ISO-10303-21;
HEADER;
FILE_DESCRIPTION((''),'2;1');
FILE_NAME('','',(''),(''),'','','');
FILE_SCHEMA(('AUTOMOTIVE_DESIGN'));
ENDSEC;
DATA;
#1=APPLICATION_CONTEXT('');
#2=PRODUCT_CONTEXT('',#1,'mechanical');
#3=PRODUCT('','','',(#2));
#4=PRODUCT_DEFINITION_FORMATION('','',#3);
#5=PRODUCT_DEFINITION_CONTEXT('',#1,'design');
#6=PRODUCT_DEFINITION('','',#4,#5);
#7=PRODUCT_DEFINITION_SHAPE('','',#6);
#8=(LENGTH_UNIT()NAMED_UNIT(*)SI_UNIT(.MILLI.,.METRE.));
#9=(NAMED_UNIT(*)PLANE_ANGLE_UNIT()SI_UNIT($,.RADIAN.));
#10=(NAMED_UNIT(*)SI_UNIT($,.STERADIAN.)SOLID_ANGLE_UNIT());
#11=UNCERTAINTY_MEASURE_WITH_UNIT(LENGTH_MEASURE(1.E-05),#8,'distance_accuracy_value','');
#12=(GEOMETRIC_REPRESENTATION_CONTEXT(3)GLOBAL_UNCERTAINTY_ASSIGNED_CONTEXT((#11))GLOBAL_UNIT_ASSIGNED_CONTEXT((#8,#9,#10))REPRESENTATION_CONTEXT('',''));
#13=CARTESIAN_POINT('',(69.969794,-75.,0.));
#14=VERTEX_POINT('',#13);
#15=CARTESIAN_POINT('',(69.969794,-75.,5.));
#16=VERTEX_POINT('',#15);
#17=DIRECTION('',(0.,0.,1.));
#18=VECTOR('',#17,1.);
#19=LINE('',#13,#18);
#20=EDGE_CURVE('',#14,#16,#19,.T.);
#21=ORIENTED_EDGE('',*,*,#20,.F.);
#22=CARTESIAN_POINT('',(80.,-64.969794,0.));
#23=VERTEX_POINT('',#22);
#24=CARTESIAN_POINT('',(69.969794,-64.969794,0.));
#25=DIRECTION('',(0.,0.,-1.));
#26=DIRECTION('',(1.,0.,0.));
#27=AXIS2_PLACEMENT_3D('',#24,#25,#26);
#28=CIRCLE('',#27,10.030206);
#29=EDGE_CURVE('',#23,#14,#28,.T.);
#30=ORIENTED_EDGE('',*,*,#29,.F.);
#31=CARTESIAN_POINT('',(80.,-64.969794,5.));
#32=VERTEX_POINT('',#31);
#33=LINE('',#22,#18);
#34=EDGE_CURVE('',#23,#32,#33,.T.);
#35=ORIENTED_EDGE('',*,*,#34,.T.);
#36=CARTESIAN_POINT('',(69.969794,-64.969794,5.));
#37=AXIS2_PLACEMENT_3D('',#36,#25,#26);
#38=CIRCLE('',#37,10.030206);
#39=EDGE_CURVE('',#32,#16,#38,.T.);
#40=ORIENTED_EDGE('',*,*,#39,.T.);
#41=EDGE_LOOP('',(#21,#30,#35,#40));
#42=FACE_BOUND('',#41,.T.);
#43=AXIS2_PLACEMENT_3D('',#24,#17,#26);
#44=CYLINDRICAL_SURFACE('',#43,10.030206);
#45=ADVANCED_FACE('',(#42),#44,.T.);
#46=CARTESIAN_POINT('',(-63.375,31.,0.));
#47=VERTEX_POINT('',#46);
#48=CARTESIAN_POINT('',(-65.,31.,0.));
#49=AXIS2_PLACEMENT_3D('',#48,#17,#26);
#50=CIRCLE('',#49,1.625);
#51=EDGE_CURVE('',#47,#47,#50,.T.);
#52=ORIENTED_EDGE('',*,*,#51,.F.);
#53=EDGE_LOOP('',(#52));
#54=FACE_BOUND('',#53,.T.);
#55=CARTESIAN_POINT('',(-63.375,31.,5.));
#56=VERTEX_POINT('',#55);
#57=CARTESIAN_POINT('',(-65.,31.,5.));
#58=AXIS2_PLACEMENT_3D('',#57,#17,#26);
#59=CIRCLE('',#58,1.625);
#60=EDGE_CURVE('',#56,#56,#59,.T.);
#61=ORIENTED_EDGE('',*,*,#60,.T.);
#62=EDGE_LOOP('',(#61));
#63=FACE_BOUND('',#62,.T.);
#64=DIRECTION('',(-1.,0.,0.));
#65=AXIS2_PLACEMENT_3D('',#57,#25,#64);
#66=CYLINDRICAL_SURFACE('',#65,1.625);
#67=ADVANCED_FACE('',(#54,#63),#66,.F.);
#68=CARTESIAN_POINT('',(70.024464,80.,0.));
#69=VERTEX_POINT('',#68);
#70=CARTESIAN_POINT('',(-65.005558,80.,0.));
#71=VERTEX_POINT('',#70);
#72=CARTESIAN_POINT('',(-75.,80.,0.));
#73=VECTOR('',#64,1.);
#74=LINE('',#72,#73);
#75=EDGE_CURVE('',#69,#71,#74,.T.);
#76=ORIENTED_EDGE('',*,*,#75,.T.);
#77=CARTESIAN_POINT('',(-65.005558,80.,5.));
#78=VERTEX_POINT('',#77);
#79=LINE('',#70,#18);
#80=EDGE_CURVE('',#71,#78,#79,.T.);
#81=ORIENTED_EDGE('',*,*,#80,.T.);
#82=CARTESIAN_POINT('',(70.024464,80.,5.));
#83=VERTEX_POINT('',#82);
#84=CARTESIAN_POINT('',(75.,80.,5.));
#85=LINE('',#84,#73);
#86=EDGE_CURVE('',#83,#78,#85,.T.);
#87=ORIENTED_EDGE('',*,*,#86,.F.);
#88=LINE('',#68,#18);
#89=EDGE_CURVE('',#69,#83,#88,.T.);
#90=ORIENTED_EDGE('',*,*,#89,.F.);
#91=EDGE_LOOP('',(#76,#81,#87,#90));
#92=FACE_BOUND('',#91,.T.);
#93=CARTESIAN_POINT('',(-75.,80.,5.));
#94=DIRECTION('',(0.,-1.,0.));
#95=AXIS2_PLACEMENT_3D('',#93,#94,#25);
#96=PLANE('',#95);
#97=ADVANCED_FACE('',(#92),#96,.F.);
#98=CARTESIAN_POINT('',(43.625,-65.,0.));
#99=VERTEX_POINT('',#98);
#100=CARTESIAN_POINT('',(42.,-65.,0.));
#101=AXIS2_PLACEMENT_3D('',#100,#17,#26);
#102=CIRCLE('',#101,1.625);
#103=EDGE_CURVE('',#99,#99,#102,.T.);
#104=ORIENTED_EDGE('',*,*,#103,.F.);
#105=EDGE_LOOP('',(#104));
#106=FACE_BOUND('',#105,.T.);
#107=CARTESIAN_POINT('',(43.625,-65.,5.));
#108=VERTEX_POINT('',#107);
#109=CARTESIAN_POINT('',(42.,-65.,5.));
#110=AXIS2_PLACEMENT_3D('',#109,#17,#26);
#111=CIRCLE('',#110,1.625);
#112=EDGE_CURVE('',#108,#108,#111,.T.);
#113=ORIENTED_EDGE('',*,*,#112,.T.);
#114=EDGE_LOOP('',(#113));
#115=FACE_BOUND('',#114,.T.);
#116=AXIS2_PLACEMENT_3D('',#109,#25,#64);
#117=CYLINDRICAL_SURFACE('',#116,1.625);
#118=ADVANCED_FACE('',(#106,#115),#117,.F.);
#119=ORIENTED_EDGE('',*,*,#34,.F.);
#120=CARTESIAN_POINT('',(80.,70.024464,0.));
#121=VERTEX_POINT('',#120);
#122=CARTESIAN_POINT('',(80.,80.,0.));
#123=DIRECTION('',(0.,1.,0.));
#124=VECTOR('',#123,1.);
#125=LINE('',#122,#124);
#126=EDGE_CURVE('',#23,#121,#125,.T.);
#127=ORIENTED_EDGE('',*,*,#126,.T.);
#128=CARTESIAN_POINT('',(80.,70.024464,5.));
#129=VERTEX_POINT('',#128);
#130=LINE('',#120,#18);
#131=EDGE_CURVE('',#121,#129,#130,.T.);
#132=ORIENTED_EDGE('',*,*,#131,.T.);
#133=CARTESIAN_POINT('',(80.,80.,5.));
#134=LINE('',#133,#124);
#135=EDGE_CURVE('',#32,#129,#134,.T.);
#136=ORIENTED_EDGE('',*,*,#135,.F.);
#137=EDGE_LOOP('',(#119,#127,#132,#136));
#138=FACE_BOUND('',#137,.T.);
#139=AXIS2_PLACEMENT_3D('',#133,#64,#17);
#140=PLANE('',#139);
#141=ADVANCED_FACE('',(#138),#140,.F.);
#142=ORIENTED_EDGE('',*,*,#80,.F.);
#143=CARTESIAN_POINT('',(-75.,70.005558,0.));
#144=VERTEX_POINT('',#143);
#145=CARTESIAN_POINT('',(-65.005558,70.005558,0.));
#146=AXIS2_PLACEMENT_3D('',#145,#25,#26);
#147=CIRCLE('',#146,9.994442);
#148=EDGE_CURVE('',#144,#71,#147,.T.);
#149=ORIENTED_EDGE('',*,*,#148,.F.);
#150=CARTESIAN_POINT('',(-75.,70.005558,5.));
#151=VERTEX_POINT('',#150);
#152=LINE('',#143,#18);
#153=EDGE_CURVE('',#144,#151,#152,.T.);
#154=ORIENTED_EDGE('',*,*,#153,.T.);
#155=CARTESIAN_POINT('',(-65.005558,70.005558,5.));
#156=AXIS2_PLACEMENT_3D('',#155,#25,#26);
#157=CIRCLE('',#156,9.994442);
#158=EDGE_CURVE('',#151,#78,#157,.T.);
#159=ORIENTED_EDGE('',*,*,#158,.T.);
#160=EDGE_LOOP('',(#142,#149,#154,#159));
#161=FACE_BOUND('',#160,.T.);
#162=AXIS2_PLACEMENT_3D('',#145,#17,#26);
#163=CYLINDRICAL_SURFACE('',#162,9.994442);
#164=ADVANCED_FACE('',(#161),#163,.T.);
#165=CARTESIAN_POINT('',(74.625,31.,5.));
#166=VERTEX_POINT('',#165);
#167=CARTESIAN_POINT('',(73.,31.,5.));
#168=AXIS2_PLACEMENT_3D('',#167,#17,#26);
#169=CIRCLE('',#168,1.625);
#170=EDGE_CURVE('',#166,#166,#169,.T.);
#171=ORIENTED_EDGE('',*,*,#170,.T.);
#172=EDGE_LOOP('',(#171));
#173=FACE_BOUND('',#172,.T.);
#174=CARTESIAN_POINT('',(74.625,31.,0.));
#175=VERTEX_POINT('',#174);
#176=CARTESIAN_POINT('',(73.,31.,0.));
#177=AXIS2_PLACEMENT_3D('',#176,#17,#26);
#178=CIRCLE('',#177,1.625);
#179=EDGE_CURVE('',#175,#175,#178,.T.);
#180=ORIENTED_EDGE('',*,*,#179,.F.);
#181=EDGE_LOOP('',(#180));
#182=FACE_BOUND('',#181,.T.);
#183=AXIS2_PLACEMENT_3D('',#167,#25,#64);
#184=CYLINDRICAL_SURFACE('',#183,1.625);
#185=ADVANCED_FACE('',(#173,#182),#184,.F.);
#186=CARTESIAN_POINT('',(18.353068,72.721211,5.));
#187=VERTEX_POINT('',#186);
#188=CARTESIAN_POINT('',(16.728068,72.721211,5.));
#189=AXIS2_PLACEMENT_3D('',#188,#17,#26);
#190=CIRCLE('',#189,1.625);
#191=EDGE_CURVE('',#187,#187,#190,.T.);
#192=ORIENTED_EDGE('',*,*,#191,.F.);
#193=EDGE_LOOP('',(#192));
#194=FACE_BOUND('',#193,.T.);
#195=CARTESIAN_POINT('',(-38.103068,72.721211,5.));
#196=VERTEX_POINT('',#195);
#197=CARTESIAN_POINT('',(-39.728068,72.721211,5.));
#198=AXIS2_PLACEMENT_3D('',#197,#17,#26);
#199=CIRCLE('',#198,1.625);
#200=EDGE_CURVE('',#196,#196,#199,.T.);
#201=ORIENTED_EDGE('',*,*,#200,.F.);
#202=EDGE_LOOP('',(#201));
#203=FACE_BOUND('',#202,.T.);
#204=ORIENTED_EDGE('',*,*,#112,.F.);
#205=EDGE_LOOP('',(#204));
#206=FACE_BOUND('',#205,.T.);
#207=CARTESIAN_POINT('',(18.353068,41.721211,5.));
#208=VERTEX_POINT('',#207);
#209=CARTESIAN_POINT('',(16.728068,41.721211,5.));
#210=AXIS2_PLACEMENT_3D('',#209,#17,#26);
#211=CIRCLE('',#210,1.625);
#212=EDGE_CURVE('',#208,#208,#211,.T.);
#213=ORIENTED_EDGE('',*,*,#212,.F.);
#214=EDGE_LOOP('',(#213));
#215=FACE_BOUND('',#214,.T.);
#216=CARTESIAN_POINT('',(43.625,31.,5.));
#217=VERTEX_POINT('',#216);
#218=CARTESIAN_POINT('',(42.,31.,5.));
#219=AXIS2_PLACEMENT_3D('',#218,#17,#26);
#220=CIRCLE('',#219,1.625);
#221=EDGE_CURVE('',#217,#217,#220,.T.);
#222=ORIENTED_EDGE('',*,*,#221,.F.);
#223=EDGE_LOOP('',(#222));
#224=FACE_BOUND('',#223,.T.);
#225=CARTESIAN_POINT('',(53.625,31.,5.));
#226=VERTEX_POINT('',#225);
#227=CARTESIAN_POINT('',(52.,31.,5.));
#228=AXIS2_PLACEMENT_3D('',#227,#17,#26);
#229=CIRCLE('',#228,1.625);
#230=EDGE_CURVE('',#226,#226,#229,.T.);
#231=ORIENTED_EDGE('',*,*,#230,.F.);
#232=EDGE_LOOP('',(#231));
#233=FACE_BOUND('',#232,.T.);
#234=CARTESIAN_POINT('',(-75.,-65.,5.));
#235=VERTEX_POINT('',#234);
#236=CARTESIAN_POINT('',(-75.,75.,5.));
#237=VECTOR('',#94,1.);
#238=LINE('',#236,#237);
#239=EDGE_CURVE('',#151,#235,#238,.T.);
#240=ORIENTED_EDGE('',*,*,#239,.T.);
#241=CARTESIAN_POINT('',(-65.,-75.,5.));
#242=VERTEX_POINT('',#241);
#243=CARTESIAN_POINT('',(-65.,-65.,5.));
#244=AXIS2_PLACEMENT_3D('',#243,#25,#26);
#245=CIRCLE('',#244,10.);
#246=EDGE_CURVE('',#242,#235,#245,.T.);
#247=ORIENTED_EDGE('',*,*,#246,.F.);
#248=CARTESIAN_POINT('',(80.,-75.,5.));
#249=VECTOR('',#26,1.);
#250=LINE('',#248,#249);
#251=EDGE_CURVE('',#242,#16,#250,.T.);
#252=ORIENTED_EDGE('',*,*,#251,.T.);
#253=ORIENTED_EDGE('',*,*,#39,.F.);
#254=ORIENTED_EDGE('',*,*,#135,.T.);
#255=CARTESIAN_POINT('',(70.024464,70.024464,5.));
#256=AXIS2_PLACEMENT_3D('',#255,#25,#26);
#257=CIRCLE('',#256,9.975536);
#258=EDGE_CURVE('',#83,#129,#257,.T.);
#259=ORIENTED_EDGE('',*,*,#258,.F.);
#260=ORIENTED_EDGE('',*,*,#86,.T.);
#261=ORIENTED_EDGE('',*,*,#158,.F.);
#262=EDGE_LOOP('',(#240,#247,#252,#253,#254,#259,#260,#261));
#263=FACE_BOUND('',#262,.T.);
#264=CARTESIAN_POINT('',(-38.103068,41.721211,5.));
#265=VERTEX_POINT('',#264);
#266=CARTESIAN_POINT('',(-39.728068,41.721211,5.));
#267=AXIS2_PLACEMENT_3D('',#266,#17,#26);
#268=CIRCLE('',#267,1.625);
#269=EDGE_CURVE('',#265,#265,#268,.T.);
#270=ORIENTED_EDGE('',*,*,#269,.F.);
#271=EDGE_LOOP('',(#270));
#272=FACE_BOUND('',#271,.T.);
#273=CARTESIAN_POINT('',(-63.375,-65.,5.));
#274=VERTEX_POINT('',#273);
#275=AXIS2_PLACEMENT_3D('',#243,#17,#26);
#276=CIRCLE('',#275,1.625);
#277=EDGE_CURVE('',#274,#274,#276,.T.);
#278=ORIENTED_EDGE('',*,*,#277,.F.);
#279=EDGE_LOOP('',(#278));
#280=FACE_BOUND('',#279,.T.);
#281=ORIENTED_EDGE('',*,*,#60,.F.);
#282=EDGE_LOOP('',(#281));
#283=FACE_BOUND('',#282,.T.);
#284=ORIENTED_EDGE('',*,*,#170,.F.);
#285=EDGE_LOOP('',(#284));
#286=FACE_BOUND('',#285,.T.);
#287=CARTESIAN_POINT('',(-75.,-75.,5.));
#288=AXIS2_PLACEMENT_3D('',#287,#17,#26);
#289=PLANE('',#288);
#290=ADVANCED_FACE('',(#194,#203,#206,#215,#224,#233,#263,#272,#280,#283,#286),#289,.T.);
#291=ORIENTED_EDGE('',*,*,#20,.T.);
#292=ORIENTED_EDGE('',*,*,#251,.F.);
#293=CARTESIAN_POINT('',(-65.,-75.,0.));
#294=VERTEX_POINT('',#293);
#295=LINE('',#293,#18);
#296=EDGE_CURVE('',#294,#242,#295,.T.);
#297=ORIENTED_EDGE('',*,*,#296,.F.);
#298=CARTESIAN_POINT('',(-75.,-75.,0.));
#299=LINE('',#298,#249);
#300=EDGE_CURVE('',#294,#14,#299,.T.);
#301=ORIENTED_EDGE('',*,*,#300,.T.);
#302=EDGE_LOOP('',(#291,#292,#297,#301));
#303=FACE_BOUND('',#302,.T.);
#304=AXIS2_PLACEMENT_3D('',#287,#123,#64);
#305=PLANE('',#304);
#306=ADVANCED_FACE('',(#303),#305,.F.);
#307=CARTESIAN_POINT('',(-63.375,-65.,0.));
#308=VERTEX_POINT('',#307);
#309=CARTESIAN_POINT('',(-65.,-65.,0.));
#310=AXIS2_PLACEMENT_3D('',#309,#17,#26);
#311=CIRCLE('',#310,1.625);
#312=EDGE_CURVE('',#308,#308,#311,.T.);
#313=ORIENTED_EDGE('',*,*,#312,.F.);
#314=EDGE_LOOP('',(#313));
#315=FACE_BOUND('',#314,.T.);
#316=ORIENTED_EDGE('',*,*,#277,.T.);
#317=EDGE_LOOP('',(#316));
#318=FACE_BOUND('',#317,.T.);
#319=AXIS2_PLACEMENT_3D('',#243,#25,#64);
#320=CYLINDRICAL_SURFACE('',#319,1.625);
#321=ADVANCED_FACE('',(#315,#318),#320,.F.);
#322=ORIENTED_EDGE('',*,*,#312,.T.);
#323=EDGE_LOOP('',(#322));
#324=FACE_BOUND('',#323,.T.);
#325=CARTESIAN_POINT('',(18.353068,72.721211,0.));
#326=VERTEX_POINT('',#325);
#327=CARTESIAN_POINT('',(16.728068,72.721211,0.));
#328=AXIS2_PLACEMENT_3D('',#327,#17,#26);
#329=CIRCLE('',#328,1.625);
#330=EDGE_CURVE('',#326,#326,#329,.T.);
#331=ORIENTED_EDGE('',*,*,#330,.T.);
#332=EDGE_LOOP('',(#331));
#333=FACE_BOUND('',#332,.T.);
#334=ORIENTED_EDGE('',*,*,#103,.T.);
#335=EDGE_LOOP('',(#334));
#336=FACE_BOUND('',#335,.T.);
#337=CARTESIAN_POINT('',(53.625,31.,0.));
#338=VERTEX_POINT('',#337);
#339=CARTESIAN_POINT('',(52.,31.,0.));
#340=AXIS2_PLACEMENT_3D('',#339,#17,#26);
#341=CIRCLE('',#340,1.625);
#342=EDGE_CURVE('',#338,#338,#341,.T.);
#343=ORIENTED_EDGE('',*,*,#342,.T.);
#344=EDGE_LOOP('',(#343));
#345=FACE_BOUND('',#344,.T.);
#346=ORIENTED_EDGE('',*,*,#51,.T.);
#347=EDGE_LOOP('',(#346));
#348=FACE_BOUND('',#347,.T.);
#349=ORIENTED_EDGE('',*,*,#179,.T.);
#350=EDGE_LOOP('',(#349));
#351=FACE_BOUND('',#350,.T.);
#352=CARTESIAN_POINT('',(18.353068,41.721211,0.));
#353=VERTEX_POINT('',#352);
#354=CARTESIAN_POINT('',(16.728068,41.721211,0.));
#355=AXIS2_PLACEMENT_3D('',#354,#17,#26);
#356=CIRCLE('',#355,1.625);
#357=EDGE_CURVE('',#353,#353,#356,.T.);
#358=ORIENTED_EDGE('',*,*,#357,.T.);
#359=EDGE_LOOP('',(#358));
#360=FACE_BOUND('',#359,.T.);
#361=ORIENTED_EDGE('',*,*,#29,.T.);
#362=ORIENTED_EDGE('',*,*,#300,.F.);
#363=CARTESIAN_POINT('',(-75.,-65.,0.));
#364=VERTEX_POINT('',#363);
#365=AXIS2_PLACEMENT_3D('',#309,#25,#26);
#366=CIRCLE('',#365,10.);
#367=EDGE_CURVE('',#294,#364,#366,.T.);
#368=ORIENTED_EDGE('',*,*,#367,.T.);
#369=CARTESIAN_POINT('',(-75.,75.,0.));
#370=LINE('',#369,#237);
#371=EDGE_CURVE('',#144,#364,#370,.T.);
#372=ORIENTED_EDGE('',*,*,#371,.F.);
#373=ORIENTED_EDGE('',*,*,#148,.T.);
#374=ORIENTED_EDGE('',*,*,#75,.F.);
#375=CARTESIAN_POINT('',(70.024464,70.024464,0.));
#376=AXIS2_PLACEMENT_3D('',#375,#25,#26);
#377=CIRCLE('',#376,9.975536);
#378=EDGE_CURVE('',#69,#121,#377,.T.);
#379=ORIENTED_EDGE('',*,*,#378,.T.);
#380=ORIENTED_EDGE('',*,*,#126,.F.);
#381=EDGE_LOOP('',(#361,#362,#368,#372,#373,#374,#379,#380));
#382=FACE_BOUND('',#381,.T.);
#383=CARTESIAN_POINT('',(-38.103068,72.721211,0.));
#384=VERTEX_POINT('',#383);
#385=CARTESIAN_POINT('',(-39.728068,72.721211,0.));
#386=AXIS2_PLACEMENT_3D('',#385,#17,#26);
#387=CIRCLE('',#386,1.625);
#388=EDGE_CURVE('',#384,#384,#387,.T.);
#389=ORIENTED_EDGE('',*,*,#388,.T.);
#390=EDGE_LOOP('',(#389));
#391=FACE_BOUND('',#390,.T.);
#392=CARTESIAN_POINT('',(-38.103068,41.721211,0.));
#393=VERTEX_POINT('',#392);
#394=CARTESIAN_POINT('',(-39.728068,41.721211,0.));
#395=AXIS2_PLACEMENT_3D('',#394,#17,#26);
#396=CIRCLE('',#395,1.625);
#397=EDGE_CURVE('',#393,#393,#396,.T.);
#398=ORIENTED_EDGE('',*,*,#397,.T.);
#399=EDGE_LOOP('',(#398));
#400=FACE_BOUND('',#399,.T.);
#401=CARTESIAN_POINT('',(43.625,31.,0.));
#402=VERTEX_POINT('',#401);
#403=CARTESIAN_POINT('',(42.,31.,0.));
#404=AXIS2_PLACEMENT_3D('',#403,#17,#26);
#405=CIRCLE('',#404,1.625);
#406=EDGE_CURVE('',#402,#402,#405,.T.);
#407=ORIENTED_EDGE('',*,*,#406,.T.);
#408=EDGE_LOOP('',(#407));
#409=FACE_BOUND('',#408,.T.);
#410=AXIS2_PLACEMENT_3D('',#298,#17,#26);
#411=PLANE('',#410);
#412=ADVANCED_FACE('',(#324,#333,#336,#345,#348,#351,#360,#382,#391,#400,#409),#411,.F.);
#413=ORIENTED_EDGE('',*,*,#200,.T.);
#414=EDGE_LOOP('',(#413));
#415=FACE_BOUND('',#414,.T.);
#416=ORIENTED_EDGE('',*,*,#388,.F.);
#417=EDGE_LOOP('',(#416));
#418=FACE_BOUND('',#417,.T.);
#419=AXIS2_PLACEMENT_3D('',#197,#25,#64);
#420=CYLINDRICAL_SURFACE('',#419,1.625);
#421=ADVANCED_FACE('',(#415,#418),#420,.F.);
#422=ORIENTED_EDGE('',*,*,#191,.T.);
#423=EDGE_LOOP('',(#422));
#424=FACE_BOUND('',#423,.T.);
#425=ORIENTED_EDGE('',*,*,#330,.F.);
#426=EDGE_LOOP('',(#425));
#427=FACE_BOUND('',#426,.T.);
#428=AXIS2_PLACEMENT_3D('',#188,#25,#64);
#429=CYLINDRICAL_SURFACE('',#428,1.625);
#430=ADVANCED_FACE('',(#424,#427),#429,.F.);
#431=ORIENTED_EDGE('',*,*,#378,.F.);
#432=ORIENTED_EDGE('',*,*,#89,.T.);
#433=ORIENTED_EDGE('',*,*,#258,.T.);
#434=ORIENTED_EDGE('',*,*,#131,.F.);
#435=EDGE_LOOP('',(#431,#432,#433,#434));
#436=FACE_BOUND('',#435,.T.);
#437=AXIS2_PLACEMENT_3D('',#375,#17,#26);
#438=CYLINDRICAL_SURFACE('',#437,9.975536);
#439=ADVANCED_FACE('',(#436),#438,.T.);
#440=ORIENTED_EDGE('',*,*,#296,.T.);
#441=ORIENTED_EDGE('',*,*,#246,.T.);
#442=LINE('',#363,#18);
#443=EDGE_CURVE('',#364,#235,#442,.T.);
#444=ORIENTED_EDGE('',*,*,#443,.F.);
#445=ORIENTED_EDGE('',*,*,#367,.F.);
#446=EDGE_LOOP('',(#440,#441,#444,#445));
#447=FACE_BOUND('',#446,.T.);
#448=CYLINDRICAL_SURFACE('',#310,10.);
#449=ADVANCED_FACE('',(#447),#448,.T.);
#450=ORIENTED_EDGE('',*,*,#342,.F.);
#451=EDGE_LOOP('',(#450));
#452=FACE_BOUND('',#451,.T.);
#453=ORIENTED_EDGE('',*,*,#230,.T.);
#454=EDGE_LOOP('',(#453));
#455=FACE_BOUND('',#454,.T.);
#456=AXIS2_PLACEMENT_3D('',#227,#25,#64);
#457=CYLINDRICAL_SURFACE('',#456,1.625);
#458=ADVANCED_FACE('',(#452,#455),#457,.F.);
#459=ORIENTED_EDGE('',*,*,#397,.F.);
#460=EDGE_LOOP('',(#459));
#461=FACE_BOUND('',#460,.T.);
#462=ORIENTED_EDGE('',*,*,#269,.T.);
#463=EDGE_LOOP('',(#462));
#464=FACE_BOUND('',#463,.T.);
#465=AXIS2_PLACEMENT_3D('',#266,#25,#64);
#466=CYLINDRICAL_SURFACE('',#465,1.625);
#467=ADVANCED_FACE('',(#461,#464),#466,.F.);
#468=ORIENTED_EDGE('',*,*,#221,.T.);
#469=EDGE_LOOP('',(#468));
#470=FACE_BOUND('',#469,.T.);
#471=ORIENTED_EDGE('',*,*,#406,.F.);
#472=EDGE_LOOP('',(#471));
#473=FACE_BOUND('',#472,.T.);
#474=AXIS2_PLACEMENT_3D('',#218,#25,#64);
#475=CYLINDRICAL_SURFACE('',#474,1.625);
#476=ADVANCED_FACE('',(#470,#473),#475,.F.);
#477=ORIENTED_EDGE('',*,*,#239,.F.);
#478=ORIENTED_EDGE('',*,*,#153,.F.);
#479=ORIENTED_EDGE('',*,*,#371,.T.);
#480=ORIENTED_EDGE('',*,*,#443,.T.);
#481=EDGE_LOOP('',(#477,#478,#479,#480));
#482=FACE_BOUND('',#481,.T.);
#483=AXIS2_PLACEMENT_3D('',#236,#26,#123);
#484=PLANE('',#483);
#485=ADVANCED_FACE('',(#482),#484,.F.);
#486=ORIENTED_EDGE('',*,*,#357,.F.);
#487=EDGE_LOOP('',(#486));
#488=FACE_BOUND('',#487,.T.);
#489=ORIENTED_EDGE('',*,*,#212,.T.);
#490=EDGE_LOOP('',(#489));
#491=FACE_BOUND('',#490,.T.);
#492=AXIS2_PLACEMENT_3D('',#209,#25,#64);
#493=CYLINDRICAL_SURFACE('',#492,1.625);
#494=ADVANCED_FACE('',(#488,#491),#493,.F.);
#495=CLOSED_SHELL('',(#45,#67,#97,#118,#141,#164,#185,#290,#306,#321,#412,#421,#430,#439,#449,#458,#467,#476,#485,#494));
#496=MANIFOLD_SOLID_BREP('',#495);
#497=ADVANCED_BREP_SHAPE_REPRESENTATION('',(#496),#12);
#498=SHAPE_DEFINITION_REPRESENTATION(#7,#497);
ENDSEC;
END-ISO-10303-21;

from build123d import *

# Parameters (mm, degrees)
SKETCH1_R           = 1.625
BOSS_EXTRUDE1_DEPTH = 5
CUT_EXTRUDE1_DEPTH  = 5


with BuildPart() as part:
    # Sketch1 → Boss-Extrude1 (new body)
    with BuildSketch(Plane.XY):
        Polygon((-75, 75), (-75, -75), (75, -75), (80, -75), (80, 80), (75, 80), (-75, 80), align=None)
        with Locations((-65, -65)):
            Circle(SKETCH1_R, mode=Mode.SUBTRACT)
        with Locations((-65, 31)):
            Circle(SKETCH1_R, mode=Mode.SUBTRACT)
        with Locations((42, 31)):
            Circle(SKETCH1_R, mode=Mode.SUBTRACT)
        with Locations((42, -65)):
            Circle(SKETCH1_R, mode=Mode.SUBTRACT)
        with Locations((52, 31)):
            Circle(SKETCH1_R, mode=Mode.SUBTRACT)
        with Locations((73, 31)):
            Circle(SKETCH1_R, mode=Mode.SUBTRACT)
        with Locations((-39.728067716, 72.721211314)):
            Circle(SKETCH1_R, mode=Mode.SUBTRACT)
        with Locations((-39.728067716, 41.721211314)):
            Circle(SKETCH1_R, mode=Mode.SUBTRACT)
        with Locations((16.728067716, 41.721211314)):
            Circle(SKETCH1_R, mode=Mode.SUBTRACT)
        with Locations((16.728067716, 72.721211314)):
            Circle(SKETCH1_R, mode=Mode.SUBTRACT)
    extrude(amount=BOSS_EXTRUDE1_DEPTH)

    # Sketch2 → Cut-Extrude1 (cut)
    with BuildSketch(Plane.XY.offset(5)):
        with BuildLine():
            Line((-75, 70.005557821), (-75, 80))
            Line((-75, 80), (-65.005557821, 80))
            ThreePointArc((-65.005557821, 80), (-72.07269566, 77.07269566), (-75, 70.005557821))
        make_face()
        with BuildLine():
            Line((70.02446388, 80), (80, 80))
            Line((80, 80), (80, 70.02446388))
            ThreePointArc((80, 70.02446388), (77.078233116, 77.078233116), (70.02446388, 80))
        make_face()
        with BuildLine():
            Line((69.9697939, -75), (80, -75))
            Line((80, -75), (80, -64.9697939))
            ThreePointArc((80, -64.9697939), (77.06222065, -72.06222065), (69.9697939, -75))
        make_face()
        with BuildLine():
            Line((-75, -65), (-75, -75))
            Line((-75, -75), (-65, -75))
            ThreePointArc((-65, -75), (-72.071067812, -72.071067812), (-75, -65))
        make_face()
    extrude(amount=-CUT_EXTRUDE1_DEPTH, mode=Mode.SUBTRACT)


solid = part.part
